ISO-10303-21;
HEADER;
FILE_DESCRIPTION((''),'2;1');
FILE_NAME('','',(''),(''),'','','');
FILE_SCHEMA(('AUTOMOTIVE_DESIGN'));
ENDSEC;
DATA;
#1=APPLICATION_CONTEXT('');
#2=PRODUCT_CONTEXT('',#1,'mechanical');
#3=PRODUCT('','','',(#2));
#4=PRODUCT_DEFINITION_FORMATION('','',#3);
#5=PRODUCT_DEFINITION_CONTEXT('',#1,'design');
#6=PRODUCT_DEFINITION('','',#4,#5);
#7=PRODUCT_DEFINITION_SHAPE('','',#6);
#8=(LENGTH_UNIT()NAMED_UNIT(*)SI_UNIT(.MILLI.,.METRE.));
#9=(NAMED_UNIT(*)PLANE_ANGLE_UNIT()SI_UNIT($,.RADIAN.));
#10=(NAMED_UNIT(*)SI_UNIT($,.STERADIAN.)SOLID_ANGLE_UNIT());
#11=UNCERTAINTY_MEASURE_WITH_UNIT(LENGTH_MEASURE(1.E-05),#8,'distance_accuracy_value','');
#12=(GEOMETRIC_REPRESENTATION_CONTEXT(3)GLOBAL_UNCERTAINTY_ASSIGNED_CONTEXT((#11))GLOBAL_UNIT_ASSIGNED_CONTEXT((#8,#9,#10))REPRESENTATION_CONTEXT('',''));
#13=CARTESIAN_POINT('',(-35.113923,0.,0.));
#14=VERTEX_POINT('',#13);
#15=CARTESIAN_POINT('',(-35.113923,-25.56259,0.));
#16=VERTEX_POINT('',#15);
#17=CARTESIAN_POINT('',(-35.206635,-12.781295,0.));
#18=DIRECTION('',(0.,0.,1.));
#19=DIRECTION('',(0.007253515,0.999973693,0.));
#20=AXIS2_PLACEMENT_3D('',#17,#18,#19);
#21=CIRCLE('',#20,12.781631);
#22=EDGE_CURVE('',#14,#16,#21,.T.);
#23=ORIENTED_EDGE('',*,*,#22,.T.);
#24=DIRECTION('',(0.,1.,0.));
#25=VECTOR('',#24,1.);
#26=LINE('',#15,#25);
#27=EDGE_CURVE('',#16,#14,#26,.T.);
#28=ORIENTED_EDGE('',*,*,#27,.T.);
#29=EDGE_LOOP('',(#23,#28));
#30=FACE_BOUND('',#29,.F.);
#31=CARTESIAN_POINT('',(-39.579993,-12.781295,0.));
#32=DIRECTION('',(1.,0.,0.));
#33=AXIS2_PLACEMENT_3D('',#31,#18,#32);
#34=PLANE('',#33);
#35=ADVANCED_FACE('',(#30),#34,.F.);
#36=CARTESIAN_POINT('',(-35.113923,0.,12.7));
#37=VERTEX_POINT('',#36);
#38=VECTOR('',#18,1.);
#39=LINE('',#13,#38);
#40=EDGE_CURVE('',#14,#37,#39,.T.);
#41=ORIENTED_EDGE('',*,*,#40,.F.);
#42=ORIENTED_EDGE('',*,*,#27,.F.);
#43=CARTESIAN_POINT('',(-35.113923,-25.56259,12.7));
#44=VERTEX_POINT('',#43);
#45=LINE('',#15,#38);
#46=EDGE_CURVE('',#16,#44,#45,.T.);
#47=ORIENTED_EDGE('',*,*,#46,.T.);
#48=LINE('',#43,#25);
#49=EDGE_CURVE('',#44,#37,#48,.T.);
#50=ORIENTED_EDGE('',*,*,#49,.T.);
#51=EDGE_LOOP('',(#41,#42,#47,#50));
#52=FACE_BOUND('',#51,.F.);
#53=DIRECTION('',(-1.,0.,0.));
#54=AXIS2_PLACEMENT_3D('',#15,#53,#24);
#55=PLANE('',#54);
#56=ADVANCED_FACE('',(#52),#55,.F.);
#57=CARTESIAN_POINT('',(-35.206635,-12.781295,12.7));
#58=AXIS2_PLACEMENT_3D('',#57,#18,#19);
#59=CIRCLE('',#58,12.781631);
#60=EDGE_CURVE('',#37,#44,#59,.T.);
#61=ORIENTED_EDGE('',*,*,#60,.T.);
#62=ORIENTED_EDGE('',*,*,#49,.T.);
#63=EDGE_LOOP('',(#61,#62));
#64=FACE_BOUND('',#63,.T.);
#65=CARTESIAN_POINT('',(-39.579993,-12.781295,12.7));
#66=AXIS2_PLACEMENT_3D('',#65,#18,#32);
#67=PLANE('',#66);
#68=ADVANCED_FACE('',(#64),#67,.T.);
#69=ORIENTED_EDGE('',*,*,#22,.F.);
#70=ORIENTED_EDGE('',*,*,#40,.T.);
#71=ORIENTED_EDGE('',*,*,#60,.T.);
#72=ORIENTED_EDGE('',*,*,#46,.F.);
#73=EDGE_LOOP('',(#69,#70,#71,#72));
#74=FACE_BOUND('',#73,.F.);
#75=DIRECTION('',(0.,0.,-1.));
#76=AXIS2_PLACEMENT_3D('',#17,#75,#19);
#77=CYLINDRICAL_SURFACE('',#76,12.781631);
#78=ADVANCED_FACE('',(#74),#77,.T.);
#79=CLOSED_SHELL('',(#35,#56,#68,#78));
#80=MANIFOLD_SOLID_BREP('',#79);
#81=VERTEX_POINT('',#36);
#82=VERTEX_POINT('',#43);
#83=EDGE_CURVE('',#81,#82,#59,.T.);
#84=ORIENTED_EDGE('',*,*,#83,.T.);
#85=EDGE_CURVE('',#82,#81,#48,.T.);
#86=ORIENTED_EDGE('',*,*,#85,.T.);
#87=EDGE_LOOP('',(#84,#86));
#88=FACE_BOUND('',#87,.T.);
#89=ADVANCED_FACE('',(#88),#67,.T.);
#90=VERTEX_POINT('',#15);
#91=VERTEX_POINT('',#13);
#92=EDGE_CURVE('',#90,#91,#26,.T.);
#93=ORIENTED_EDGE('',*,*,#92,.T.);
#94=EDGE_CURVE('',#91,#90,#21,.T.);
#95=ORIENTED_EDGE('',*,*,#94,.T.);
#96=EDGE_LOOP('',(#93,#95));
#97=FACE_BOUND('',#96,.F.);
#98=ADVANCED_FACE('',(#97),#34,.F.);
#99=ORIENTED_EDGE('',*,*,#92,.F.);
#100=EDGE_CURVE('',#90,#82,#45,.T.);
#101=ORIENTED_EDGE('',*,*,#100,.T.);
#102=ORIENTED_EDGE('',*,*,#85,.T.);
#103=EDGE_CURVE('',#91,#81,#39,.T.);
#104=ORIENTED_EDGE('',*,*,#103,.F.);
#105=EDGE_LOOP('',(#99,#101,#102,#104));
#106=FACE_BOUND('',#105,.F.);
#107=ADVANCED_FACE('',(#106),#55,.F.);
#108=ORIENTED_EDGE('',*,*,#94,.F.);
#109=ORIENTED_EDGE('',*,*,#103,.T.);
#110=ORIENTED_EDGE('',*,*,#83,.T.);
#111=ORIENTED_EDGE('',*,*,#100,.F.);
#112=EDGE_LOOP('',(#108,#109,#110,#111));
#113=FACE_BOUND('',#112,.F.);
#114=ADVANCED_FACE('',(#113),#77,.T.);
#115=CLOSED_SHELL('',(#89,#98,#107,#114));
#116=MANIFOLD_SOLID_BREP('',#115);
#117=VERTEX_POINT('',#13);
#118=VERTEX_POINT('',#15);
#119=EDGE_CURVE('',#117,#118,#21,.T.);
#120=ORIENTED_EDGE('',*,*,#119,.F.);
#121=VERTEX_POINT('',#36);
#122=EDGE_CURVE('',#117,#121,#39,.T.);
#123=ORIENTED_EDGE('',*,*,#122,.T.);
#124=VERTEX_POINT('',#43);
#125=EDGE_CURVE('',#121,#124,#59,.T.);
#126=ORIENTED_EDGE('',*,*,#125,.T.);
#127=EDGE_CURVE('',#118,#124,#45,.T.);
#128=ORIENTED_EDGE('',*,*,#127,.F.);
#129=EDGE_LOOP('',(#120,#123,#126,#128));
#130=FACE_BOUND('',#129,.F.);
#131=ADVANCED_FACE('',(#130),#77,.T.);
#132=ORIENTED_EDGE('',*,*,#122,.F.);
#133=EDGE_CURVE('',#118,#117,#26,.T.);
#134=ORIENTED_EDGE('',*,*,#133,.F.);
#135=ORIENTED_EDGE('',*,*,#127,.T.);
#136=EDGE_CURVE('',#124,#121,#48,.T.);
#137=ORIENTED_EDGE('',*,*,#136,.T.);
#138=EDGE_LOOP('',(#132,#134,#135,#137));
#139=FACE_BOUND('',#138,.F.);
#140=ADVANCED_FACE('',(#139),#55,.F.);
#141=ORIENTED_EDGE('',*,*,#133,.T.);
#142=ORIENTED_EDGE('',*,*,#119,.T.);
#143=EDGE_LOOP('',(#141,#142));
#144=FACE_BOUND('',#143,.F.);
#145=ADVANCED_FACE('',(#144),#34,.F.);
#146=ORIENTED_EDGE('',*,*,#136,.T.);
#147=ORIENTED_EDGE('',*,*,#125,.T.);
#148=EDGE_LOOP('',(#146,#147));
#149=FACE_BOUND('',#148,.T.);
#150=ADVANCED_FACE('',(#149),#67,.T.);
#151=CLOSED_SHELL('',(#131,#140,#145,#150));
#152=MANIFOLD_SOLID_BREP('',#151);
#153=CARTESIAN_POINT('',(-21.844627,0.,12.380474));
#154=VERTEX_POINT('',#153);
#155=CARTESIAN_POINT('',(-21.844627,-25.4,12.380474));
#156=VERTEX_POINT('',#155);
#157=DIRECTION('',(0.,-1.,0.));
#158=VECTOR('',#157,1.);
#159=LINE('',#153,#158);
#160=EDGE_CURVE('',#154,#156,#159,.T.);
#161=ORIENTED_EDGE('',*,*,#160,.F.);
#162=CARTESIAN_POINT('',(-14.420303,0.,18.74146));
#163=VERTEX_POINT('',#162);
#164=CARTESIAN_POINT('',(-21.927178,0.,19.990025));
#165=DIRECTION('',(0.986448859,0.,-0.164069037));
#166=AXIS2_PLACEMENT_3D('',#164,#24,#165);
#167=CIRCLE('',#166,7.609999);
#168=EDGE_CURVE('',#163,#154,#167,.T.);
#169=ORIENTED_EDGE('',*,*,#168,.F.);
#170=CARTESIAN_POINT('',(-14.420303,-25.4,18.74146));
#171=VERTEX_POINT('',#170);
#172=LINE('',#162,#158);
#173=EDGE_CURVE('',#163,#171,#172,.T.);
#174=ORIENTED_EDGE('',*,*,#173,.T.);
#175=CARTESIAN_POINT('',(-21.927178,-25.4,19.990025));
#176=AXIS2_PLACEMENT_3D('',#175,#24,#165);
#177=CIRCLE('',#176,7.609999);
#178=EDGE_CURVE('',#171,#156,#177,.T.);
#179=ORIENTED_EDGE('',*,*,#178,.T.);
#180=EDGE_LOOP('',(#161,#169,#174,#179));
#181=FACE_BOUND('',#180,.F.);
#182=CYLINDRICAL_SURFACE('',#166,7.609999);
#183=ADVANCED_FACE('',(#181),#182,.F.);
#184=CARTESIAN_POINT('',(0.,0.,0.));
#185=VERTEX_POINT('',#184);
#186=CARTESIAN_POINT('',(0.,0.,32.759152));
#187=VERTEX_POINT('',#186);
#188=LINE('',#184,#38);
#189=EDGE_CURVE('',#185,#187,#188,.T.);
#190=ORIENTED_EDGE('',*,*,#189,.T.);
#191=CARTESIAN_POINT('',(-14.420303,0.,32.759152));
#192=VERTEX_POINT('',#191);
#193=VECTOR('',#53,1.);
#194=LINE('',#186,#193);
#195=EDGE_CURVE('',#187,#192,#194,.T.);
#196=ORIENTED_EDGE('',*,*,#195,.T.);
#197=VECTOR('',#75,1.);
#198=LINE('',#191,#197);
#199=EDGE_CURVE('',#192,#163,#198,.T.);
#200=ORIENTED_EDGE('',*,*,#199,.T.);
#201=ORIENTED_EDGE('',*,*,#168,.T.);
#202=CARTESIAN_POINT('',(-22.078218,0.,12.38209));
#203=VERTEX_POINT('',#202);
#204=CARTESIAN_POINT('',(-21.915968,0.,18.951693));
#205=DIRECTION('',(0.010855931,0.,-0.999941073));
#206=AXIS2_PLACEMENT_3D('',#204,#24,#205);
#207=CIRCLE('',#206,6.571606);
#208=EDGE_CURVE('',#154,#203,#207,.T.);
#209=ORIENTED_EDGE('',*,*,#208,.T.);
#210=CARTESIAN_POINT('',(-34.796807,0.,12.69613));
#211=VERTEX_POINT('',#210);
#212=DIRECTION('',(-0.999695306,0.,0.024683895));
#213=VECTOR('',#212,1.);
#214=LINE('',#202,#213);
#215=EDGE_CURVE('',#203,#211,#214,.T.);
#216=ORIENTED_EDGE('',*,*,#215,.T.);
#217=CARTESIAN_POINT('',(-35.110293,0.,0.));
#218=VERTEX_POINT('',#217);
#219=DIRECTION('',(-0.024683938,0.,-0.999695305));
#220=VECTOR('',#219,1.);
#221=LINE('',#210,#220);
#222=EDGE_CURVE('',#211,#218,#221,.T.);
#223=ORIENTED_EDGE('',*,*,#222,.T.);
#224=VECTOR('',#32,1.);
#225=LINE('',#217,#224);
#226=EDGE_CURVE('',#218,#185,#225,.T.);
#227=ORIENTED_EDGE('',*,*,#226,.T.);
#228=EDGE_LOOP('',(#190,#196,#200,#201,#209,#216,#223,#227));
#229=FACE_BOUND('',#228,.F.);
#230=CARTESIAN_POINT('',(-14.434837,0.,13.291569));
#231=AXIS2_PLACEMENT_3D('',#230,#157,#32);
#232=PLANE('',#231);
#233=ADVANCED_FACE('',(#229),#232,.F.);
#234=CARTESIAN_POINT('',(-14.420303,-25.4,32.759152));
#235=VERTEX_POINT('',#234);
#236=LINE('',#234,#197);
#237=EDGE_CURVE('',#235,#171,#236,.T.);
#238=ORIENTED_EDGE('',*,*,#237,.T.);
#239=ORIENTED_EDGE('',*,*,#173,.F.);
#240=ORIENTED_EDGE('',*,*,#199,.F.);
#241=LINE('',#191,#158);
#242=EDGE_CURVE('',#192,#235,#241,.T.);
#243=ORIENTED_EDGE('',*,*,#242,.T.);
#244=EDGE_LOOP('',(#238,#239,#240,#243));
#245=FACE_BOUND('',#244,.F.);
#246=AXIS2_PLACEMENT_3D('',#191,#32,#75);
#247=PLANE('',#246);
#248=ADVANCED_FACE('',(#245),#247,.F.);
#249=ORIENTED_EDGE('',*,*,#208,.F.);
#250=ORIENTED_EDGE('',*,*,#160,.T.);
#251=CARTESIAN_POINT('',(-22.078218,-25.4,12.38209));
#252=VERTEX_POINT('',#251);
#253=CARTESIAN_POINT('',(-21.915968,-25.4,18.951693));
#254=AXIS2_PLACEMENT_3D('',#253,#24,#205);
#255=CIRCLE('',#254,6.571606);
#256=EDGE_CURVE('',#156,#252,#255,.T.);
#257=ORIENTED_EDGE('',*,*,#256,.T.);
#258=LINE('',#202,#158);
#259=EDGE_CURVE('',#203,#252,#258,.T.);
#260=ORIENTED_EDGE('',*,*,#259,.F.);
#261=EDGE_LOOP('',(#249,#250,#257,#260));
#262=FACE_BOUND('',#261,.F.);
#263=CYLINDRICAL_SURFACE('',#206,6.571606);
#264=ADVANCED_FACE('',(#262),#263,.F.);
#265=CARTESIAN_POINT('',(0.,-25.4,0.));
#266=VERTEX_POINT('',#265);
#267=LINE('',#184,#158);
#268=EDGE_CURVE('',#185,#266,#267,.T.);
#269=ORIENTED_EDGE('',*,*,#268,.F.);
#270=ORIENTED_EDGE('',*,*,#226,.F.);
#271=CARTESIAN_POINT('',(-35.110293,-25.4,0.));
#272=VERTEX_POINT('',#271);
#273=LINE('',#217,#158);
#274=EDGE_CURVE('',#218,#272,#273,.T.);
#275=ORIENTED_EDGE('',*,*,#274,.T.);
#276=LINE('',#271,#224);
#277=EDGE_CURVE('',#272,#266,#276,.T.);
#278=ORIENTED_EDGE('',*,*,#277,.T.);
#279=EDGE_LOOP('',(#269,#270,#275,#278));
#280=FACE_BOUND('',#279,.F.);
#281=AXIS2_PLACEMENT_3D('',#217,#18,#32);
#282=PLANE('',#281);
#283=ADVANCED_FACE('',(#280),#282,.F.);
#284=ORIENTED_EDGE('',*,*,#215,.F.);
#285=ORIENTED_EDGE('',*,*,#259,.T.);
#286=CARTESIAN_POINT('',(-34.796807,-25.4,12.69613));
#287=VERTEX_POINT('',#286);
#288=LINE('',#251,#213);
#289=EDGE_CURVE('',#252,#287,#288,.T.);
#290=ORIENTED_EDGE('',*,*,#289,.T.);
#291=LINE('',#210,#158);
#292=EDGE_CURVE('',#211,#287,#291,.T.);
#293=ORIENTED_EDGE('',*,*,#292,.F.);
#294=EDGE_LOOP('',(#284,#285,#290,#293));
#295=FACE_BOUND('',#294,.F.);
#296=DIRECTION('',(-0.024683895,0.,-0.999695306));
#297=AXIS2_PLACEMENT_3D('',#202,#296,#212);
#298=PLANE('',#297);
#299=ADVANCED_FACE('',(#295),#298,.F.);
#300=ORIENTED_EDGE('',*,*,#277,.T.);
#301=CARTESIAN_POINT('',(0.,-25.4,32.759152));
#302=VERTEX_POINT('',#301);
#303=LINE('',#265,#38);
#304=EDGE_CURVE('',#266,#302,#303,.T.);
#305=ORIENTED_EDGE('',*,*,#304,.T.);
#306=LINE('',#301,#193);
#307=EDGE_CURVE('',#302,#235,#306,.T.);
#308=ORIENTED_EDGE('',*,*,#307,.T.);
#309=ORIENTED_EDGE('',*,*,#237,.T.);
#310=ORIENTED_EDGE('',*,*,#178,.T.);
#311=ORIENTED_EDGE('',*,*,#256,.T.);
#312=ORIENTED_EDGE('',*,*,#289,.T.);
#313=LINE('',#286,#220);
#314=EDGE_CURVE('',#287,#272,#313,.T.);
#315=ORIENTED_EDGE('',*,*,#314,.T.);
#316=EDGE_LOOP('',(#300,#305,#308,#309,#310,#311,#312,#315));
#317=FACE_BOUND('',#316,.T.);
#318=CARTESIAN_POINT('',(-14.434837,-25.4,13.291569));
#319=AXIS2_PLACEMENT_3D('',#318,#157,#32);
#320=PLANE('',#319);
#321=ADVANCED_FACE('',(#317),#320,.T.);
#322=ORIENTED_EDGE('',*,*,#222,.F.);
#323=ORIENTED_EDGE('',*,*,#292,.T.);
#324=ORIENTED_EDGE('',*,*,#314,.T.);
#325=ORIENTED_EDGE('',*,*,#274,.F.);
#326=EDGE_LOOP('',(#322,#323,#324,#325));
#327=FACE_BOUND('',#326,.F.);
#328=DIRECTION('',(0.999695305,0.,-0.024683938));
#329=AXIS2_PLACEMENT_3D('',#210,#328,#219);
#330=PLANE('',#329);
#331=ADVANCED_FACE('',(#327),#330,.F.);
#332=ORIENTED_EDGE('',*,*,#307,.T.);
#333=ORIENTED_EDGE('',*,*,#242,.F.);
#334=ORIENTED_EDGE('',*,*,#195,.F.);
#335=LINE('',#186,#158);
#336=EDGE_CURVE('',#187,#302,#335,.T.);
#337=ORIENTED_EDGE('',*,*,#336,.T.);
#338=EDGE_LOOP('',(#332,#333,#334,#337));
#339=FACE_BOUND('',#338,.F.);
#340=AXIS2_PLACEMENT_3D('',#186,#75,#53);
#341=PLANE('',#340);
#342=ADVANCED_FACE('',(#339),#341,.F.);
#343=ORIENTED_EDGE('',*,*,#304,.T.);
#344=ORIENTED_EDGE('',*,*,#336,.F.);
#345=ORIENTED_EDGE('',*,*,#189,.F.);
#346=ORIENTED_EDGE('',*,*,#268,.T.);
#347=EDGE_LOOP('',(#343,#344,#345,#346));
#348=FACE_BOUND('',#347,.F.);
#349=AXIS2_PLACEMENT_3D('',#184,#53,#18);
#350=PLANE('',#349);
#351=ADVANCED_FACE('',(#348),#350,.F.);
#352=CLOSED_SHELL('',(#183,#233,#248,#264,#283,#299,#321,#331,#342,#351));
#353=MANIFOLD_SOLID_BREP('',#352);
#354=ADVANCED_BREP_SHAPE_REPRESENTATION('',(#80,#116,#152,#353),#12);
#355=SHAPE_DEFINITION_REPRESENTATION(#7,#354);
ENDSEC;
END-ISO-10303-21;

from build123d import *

# Parameters (mm, degrees)
F3_DEPTH = 25.4
F5_DEPTH = 12.7
F6_DEPTH = 12.7
F7_DEPTH = 12.7


with BuildPart() as f3:
    # F2 (on Front) → F3 (new body)
    with BuildSketch(Plane.XZ):
        with BuildLine():
            Line((-34.796807, 12.69613), (-35.110293, 0))
            Line((-35.110293, 0), (0, 0))
            Line((0, 0), (0, 32.759152))
            Line((0, 32.759152), (-14.420303, 32.759152))
            Line((-14.420303, 32.759152), (-14.420303, 21.238586))
            ThreePointArc((-14.420303, 21.238586), (-14.31718, 19.990023), (-14.420303, 18.74146))
            Line((-14.420303, 18.74146), (-14.420303, 12.461014))
            Line((-14.420303, 12.461014), (-21.844627, 12.380474))
            ThreePointArc((-21.844627, 12.380474), (-21.961429, 12.380244), (-22.078218, 12.38209))
            Line((-22.078218, 12.38209), (-34.796807, 12.69613))
        make_face()
        with BuildLine():
            ThreePointArc((-14.420303, 18.74146), (-16.975877, 14.211037), (-21.844627, 12.380474))
            Line((-21.844627, 12.380474), (-14.420303, 12.461014))
            Line((-14.420303, 12.461014), (-14.420303, 18.74146))
        make_face()
        with BuildLine():
            ThreePointArc((-14.420303, 18.74146), (-14.31718, 19.990023), (-14.420303, 21.238586))
            Line((-14.420303, 21.238586), (-14.420303, 18.74146))
        make_face()
    extrude(amount=F3_DEPTH)


with BuildPart() as f5:
    # F4 (on Top) → F5 (new body)
    with BuildSketch(Plane.XY):
        with BuildLine():
            Line((-35.113923, -25.56259), (-35.113923, 0))
            ThreePointArc((-35.113923, 0), (-47.988266, -12.781295), (-35.113923, -25.56259))
        make_face()
    extrude(amount=F5_DEPTH)


with BuildPart() as f6:
    # F4 (on Top) → F6 (new body)
    with BuildSketch(Plane.XY):
        with BuildLine():
            Line((-35.113923, -25.56259), (-35.113923, 0))
            ThreePointArc((-35.113923, 0), (-47.988266, -12.781295), (-35.113923, -25.56259))
        make_face()
    extrude(amount=F6_DEPTH)


with BuildPart() as f7:
    # F4 (on Top) → F7 (new body)
    with BuildSketch(Plane.XY):
        with BuildLine():
            Line((-35.113923, -25.56259), (-35.113923, 0))
            ThreePointArc((-35.113923, 0), (-47.988266, -12.781295), (-35.113923, -25.56259))
        make_face()
    extrude(amount=F7_DEPTH)


solid = Compound([f3.part, f5.part, f6.part, f7.part])
